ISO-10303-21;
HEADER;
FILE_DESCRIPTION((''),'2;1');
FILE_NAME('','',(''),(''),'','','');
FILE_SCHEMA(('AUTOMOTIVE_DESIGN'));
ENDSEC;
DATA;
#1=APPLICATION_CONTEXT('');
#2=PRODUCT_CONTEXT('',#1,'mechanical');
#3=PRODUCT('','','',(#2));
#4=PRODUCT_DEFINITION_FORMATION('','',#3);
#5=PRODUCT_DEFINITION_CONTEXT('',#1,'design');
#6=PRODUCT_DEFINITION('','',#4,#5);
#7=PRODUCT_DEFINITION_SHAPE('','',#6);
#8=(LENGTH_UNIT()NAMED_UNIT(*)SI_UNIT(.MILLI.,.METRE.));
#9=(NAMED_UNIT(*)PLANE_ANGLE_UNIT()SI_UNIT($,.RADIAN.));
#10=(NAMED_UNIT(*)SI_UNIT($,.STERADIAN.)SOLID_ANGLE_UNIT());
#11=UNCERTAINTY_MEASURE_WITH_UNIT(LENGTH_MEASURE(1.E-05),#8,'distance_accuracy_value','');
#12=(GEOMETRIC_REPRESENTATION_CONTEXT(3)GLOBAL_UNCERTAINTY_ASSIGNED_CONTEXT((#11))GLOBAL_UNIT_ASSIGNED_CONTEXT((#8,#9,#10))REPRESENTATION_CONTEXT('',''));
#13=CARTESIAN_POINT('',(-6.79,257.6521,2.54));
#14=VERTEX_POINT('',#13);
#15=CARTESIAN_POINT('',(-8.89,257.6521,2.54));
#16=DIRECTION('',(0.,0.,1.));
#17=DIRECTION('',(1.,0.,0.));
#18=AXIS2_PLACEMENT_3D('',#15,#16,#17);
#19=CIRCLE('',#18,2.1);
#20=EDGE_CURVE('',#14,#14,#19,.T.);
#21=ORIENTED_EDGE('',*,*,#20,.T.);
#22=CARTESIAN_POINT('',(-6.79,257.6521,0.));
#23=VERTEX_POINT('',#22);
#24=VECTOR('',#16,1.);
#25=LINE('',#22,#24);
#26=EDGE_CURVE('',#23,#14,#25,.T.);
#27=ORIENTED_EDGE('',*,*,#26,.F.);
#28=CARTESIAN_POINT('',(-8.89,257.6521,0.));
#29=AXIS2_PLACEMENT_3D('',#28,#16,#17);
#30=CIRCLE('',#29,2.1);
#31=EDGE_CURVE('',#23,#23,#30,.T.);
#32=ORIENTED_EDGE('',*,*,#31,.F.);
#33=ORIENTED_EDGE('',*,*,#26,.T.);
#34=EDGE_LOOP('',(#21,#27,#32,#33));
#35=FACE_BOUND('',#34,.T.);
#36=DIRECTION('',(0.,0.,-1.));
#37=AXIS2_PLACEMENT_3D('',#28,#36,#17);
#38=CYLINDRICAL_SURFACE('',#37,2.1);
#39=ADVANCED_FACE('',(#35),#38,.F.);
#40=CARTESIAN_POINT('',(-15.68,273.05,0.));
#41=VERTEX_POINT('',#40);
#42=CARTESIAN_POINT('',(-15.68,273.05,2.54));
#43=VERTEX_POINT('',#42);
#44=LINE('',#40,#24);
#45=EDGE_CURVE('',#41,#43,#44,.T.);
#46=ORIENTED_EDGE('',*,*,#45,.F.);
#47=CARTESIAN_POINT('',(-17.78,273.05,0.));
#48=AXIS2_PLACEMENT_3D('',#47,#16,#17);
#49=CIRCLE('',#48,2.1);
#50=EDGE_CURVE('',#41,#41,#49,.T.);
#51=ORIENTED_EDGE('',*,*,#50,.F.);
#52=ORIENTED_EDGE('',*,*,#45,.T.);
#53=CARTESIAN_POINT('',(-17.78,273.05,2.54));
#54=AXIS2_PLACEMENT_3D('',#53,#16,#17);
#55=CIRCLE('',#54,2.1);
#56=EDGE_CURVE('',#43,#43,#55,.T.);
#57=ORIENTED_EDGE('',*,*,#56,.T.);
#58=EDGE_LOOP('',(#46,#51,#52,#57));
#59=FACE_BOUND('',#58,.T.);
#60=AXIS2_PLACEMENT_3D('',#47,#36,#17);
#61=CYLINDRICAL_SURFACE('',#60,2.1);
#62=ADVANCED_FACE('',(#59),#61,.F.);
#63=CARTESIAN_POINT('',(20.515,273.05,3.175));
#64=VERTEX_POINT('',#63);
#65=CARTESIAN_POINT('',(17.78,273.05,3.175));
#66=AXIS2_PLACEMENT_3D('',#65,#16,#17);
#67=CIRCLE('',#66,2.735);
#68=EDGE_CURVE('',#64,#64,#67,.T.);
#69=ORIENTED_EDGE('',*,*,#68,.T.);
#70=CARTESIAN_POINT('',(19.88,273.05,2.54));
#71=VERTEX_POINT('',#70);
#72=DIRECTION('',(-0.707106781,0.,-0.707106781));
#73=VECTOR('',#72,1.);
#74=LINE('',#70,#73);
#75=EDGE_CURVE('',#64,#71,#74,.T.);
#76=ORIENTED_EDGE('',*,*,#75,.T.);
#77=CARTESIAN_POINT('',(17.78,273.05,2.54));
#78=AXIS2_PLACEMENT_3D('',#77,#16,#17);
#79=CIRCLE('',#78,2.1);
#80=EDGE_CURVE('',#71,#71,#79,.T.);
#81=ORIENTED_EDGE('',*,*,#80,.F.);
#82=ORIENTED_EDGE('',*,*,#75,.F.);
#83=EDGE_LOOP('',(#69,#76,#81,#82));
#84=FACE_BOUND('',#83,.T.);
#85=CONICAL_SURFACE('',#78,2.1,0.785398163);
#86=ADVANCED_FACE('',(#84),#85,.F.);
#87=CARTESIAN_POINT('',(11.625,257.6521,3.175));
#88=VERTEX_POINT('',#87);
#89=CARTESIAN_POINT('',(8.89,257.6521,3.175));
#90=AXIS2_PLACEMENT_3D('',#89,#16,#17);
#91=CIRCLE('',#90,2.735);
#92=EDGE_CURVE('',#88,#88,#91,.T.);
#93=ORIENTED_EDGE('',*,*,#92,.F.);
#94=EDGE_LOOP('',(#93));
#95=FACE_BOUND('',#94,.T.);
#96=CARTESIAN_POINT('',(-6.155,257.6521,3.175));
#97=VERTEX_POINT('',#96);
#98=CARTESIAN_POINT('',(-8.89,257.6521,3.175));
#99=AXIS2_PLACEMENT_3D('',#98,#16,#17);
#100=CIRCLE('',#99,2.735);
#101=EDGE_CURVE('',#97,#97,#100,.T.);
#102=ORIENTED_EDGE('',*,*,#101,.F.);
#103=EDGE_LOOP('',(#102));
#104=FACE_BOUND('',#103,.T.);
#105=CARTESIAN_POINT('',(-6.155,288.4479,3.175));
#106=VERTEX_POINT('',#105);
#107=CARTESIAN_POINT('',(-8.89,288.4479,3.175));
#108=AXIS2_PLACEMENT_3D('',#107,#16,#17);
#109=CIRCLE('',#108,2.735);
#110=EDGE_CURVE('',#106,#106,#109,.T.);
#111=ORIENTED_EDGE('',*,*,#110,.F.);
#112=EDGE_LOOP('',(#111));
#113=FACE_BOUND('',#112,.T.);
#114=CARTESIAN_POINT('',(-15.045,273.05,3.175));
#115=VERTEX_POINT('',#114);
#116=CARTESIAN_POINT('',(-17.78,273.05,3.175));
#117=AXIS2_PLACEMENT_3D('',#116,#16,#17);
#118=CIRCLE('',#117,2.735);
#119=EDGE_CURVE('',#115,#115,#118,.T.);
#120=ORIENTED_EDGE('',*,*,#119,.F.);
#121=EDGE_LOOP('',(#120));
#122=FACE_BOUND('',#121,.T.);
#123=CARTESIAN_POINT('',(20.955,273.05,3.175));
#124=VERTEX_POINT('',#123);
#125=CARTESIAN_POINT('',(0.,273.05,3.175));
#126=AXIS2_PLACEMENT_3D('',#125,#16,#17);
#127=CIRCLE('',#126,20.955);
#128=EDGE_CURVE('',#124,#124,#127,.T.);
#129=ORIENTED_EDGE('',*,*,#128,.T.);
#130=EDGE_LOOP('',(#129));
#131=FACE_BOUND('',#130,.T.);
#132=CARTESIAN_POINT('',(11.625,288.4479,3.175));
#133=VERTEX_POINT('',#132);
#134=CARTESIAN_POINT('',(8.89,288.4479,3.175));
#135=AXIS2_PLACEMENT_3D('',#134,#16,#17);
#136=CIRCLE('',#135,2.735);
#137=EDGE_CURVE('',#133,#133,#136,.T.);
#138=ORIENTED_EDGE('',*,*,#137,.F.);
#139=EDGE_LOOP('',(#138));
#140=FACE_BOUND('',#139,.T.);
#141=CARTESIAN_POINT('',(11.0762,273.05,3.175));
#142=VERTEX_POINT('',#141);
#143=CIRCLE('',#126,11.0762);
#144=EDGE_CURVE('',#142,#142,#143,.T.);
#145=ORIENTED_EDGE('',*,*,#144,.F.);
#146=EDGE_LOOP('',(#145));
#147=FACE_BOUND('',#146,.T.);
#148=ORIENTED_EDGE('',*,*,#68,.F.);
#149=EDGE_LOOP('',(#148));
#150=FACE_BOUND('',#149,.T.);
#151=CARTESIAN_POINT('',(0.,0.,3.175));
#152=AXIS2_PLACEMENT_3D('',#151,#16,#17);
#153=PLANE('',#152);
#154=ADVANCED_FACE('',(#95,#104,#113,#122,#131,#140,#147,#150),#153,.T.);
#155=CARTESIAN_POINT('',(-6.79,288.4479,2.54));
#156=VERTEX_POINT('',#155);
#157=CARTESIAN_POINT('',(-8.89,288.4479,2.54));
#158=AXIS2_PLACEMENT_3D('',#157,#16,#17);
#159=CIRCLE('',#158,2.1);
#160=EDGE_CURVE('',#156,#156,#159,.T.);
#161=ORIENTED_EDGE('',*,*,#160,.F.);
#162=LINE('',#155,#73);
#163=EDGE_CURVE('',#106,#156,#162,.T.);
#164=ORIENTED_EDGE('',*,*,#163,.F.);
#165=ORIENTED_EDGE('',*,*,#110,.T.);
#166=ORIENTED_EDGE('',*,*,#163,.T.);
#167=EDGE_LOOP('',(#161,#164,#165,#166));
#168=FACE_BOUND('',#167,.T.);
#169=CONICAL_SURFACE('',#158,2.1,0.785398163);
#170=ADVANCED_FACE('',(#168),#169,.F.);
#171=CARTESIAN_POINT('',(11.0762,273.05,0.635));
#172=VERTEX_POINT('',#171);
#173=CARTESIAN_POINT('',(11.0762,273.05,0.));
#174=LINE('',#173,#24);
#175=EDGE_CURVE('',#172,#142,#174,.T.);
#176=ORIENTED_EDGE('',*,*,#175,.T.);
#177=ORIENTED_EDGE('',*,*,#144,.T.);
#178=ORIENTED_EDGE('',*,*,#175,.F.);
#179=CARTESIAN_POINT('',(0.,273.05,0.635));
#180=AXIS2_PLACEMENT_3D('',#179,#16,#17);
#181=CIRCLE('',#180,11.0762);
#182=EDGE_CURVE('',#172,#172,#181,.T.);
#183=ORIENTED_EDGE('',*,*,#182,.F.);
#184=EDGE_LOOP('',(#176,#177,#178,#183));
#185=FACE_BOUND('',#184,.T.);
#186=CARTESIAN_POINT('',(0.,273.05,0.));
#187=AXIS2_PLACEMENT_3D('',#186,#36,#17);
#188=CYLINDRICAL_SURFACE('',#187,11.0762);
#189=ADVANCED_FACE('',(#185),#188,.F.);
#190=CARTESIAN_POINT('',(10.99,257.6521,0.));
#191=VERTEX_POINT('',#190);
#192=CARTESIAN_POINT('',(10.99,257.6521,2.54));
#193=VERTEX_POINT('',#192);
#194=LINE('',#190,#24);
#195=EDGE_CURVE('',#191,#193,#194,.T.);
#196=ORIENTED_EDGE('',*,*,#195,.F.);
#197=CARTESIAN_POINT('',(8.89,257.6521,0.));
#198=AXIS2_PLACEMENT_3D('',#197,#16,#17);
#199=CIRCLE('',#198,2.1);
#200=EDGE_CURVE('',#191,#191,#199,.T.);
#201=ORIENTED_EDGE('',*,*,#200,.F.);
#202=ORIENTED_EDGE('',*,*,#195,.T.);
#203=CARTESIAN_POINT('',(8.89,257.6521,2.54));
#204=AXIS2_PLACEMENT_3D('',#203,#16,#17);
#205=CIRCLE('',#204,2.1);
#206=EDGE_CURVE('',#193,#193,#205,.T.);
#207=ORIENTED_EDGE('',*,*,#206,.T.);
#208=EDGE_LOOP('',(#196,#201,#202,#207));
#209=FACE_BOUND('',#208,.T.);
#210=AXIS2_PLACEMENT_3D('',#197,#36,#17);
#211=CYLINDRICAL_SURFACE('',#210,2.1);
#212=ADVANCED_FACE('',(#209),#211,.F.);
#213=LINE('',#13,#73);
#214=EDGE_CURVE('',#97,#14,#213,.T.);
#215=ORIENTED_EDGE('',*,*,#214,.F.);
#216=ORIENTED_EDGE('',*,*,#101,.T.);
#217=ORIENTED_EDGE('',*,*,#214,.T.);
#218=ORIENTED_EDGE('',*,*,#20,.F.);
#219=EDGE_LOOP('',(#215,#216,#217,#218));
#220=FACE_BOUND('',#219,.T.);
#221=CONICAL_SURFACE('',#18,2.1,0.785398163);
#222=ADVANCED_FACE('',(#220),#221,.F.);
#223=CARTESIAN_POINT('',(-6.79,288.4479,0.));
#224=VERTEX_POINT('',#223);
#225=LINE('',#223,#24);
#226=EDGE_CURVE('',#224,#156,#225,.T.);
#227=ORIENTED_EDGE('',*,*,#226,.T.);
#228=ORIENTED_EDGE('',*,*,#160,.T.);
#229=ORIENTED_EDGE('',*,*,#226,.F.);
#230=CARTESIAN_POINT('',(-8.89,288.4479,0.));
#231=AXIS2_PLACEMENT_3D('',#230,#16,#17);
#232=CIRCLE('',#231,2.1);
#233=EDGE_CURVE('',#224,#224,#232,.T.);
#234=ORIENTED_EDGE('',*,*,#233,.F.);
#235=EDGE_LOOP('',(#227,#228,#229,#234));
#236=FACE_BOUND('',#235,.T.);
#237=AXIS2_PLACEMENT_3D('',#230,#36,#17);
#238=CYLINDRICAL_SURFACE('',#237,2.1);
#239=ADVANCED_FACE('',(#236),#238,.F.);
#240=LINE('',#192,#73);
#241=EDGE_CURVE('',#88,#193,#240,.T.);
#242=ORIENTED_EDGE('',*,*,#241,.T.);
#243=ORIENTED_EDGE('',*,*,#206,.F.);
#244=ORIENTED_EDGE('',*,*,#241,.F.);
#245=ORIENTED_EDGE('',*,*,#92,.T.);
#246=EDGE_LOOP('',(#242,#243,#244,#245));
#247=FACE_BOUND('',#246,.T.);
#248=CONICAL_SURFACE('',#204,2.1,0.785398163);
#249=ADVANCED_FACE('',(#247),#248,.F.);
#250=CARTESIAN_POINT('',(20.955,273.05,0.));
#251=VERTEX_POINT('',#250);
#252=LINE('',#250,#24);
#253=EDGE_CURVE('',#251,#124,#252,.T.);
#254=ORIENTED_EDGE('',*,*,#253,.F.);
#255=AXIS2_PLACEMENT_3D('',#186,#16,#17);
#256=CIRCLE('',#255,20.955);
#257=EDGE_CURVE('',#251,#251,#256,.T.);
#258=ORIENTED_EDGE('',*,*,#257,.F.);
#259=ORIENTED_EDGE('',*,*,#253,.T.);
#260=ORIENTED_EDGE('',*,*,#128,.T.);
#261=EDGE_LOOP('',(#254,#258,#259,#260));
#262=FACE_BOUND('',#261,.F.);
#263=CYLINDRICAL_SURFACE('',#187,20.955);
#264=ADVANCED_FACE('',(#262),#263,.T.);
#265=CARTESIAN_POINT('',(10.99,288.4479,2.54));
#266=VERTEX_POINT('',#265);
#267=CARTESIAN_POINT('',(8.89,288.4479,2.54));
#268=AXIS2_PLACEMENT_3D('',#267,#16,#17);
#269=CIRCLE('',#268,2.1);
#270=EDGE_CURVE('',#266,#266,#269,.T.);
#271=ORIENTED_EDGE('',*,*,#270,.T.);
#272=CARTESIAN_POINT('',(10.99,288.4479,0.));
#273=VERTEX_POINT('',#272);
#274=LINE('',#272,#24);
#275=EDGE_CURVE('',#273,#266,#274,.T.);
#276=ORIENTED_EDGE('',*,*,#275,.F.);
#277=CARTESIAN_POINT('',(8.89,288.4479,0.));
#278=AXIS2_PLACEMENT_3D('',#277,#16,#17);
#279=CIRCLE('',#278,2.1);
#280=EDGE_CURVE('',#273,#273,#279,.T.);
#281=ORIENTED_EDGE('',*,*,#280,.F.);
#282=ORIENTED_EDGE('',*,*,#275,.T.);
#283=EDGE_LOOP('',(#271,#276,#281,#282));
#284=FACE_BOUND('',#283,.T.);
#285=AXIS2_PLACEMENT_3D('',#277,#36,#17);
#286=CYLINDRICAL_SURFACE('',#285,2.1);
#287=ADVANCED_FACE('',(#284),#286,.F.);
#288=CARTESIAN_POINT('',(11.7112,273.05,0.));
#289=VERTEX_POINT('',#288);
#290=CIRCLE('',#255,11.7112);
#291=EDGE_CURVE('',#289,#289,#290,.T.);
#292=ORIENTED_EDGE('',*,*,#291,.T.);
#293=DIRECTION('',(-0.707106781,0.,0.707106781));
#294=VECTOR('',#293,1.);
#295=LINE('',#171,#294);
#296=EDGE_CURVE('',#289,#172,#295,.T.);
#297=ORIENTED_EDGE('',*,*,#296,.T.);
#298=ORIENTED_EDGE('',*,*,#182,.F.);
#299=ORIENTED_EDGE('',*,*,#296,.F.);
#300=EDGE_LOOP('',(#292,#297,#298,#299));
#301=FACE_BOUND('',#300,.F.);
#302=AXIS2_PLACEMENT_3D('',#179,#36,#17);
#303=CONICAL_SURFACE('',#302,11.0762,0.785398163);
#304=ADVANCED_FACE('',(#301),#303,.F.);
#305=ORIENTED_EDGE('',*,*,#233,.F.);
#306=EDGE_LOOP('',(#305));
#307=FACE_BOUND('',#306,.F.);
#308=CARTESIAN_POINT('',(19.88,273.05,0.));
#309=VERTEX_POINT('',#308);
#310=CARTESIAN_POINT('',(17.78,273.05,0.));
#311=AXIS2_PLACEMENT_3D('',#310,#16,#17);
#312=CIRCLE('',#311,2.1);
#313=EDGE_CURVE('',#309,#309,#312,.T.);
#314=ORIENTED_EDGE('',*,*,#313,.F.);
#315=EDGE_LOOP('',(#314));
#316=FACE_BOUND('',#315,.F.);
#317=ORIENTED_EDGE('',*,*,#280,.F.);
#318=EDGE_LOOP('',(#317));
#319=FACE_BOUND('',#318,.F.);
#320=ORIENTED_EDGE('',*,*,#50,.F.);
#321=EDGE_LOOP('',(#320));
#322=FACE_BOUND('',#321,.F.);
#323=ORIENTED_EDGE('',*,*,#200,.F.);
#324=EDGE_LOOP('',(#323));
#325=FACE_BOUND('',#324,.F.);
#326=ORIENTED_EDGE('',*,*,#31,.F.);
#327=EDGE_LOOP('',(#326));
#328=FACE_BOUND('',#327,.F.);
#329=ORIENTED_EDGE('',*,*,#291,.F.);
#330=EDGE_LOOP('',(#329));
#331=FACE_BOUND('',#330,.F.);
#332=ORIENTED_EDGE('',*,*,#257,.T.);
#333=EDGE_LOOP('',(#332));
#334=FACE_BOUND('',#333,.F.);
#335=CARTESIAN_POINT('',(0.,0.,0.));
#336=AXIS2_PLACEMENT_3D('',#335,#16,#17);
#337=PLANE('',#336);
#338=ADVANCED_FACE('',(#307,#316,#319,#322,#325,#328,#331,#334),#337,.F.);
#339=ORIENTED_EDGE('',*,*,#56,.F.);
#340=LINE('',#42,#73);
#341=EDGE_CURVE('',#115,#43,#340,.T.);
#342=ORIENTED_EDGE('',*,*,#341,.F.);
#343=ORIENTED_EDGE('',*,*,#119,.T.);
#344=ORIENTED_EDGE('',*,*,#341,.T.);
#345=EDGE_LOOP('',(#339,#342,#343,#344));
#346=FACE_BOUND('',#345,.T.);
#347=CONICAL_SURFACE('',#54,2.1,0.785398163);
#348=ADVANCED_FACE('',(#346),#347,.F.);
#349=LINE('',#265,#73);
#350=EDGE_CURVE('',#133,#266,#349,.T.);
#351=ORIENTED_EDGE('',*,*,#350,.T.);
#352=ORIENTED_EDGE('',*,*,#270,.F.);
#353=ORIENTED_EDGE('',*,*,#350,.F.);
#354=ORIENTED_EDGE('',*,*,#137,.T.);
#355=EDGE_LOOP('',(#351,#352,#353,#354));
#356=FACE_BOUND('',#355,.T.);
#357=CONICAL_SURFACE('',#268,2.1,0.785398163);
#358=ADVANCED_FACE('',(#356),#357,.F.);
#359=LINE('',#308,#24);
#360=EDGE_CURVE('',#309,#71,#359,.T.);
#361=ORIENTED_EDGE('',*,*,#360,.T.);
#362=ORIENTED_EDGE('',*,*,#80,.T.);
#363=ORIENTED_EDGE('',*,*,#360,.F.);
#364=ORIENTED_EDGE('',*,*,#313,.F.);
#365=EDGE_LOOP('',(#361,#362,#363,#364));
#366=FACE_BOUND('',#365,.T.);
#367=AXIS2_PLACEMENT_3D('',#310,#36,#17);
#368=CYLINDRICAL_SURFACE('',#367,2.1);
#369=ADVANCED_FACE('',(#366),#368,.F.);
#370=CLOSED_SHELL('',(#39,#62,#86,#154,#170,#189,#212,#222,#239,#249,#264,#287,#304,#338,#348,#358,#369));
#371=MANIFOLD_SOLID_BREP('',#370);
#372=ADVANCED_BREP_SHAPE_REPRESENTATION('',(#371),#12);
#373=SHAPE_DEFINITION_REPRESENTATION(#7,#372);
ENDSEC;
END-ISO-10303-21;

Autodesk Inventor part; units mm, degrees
ref_plane "YZ Plane" through (0, 0, 0) normal (1, 0, 0) x (0, 1, 0)
ref_plane "XZ Plane" through (0, 0, 0) normal (0, 1, 0) x (-1, 0, 0)
ref_plane "XY Plane" through (0, 0, 0) normal (0, 0, 1) x (1, 0, 0)
sketch "Sketch1" plane through (0, 0, 0) normal (0, 0, 1) x (1, 0, 0)
  arc A0 (219.754, -304.8) -> (225.7704, -296.4188) centre (219.754, -298.45) ccw projected
  line L0 (225.7704, -296.4188) -> (30.0819, 283.206) projected
  arc A1 (30.0819, 283.206) -> (-30.0819, 283.206) centre (0, 273.05) ccw projected
  line L1 (-30.0819, 283.206) -> (-225.7704, -296.4188) projected
  arc A2 (-225.7704, -296.4188) -> (-219.754, -304.8) centre (-219.754, -298.45) ccw projected
  line L2 (-219.754, -304.8) -> (219.754, -304.8) projected
  line L3 (-38.1, -17.4222) -> (-38.1, -222.25) projected
  arc A3 (-44.45, -228.6) -> (-38.1, -222.25) centre (-44.45, -222.25) ccw projected
  line L4 (-44.45, -228.6) -> (-113.6024, -228.6) projected
  arc A4 (-119.6188, -220.2188) -> (-113.6024, -228.6) centre (-113.6024, -222.25) ccw projected
  line L5 (-119.6188, -220.2188) -> (-50.4664, -15.391) projected
  arc A5 (-38.1, -17.4222) -> (-50.4664, -15.391) centre (-44.45, -17.4222) ccw projected
  line L6 (113.6024, -228.6) -> (44.45, -228.6) projected
  arc A6 (38.1, -222.25) -> (44.45, -228.6) centre (44.45, -222.25) ccw projected
  line L7 (38.1, -222.25) -> (38.1, -17.4222) projected
  arc A7 (50.4664, -15.391) -> (38.1, -17.4222) centre (44.45, -17.4222) ccw projected
  line L8 (50.4664, -15.391) -> (119.6188, -220.2188) projected
  arc A8 (113.6024, -228.6) -> (119.6188, -220.2188) centre (113.6024, -222.25) ccw projected
  circle A9 centre (-204.2059, -292.1) radius 2 projected
  circle A10 centre (-187.0552, -241.3) radius 2 projected
  circle A11 centre (187.0552, -241.3) radius 2 projected
  circle A12 centre (204.2059, -292.1) radius 2 projected
  circle A13 centre (19.05, -241.3) radius 2 projected
  circle A14 centre (19.05, -292.1) radius 2 projected
  circle A15 centre (-19.05, -292.1) radius 2 projected
  circle A16 centre (-19.05, -241.3) radius 2 projected
  circle A17 centre (8.89, 288.4479) radius 2 projected
  circle A18 centre (-8.89, 288.4479) radius 2 projected
  circle A19 centre (-17.78, 273.05) radius 2 projected
  circle A20 centre (-8.89, 257.6521) radius 2 projected
  circle A21 centre (8.89, 257.6521) radius 2 projected
  circle A22 centre (17.78, 273.05) radius 2 projected
  circle A23 centre (0, 273.05) radius 11.0762
  circle A24 centre (0, 273.05) radius 20.955
  circle A25 centre (-8.89, 288.4479) radius 2.1
  circle A26 centre (8.89, 288.4479) radius 2.1
  circle A27 centre (17.78, 273.05) radius 2.1
  circle A28 centre (8.89, 257.6521) radius 2.1
  circle A29 centre (-8.89, 257.6521) radius 2.1
  circle A30 centre (-17.78, 273.05) radius 2.1
  ellipse E0 centre (0, 273.05) end of major axis (-12.7, 273.05) minor radius 12.2673 projected
  point P0 (0, 0)
  dimension "d1" = 41.91
  dimension "d2" = 4.2
  dimension "d3" = 4.2
  dimension "d4" = 4.2
  dimension "d5" = 4.2
  dimension "d6" = 4.2
  dimension "d7" = 4.2
extrude "Extrusion1" add sketch "Sketch1" along normal blind 3.175 contours A24 | E0
chamfer "Chamfer1" distance 0.635 angle 45 7 edges at (-11.0762, 273.05, 0) (-10.99, 288.4479, 3.175) (-19.88, 273.05, 3.175) (-10.99, 257.6521, 3.175) (6.79, 257.6521, 3.175) (15.68, 273.05, 3.175) (6.79, 288.4479, 3.175)
properties part number "MainInnerBearingMount"
